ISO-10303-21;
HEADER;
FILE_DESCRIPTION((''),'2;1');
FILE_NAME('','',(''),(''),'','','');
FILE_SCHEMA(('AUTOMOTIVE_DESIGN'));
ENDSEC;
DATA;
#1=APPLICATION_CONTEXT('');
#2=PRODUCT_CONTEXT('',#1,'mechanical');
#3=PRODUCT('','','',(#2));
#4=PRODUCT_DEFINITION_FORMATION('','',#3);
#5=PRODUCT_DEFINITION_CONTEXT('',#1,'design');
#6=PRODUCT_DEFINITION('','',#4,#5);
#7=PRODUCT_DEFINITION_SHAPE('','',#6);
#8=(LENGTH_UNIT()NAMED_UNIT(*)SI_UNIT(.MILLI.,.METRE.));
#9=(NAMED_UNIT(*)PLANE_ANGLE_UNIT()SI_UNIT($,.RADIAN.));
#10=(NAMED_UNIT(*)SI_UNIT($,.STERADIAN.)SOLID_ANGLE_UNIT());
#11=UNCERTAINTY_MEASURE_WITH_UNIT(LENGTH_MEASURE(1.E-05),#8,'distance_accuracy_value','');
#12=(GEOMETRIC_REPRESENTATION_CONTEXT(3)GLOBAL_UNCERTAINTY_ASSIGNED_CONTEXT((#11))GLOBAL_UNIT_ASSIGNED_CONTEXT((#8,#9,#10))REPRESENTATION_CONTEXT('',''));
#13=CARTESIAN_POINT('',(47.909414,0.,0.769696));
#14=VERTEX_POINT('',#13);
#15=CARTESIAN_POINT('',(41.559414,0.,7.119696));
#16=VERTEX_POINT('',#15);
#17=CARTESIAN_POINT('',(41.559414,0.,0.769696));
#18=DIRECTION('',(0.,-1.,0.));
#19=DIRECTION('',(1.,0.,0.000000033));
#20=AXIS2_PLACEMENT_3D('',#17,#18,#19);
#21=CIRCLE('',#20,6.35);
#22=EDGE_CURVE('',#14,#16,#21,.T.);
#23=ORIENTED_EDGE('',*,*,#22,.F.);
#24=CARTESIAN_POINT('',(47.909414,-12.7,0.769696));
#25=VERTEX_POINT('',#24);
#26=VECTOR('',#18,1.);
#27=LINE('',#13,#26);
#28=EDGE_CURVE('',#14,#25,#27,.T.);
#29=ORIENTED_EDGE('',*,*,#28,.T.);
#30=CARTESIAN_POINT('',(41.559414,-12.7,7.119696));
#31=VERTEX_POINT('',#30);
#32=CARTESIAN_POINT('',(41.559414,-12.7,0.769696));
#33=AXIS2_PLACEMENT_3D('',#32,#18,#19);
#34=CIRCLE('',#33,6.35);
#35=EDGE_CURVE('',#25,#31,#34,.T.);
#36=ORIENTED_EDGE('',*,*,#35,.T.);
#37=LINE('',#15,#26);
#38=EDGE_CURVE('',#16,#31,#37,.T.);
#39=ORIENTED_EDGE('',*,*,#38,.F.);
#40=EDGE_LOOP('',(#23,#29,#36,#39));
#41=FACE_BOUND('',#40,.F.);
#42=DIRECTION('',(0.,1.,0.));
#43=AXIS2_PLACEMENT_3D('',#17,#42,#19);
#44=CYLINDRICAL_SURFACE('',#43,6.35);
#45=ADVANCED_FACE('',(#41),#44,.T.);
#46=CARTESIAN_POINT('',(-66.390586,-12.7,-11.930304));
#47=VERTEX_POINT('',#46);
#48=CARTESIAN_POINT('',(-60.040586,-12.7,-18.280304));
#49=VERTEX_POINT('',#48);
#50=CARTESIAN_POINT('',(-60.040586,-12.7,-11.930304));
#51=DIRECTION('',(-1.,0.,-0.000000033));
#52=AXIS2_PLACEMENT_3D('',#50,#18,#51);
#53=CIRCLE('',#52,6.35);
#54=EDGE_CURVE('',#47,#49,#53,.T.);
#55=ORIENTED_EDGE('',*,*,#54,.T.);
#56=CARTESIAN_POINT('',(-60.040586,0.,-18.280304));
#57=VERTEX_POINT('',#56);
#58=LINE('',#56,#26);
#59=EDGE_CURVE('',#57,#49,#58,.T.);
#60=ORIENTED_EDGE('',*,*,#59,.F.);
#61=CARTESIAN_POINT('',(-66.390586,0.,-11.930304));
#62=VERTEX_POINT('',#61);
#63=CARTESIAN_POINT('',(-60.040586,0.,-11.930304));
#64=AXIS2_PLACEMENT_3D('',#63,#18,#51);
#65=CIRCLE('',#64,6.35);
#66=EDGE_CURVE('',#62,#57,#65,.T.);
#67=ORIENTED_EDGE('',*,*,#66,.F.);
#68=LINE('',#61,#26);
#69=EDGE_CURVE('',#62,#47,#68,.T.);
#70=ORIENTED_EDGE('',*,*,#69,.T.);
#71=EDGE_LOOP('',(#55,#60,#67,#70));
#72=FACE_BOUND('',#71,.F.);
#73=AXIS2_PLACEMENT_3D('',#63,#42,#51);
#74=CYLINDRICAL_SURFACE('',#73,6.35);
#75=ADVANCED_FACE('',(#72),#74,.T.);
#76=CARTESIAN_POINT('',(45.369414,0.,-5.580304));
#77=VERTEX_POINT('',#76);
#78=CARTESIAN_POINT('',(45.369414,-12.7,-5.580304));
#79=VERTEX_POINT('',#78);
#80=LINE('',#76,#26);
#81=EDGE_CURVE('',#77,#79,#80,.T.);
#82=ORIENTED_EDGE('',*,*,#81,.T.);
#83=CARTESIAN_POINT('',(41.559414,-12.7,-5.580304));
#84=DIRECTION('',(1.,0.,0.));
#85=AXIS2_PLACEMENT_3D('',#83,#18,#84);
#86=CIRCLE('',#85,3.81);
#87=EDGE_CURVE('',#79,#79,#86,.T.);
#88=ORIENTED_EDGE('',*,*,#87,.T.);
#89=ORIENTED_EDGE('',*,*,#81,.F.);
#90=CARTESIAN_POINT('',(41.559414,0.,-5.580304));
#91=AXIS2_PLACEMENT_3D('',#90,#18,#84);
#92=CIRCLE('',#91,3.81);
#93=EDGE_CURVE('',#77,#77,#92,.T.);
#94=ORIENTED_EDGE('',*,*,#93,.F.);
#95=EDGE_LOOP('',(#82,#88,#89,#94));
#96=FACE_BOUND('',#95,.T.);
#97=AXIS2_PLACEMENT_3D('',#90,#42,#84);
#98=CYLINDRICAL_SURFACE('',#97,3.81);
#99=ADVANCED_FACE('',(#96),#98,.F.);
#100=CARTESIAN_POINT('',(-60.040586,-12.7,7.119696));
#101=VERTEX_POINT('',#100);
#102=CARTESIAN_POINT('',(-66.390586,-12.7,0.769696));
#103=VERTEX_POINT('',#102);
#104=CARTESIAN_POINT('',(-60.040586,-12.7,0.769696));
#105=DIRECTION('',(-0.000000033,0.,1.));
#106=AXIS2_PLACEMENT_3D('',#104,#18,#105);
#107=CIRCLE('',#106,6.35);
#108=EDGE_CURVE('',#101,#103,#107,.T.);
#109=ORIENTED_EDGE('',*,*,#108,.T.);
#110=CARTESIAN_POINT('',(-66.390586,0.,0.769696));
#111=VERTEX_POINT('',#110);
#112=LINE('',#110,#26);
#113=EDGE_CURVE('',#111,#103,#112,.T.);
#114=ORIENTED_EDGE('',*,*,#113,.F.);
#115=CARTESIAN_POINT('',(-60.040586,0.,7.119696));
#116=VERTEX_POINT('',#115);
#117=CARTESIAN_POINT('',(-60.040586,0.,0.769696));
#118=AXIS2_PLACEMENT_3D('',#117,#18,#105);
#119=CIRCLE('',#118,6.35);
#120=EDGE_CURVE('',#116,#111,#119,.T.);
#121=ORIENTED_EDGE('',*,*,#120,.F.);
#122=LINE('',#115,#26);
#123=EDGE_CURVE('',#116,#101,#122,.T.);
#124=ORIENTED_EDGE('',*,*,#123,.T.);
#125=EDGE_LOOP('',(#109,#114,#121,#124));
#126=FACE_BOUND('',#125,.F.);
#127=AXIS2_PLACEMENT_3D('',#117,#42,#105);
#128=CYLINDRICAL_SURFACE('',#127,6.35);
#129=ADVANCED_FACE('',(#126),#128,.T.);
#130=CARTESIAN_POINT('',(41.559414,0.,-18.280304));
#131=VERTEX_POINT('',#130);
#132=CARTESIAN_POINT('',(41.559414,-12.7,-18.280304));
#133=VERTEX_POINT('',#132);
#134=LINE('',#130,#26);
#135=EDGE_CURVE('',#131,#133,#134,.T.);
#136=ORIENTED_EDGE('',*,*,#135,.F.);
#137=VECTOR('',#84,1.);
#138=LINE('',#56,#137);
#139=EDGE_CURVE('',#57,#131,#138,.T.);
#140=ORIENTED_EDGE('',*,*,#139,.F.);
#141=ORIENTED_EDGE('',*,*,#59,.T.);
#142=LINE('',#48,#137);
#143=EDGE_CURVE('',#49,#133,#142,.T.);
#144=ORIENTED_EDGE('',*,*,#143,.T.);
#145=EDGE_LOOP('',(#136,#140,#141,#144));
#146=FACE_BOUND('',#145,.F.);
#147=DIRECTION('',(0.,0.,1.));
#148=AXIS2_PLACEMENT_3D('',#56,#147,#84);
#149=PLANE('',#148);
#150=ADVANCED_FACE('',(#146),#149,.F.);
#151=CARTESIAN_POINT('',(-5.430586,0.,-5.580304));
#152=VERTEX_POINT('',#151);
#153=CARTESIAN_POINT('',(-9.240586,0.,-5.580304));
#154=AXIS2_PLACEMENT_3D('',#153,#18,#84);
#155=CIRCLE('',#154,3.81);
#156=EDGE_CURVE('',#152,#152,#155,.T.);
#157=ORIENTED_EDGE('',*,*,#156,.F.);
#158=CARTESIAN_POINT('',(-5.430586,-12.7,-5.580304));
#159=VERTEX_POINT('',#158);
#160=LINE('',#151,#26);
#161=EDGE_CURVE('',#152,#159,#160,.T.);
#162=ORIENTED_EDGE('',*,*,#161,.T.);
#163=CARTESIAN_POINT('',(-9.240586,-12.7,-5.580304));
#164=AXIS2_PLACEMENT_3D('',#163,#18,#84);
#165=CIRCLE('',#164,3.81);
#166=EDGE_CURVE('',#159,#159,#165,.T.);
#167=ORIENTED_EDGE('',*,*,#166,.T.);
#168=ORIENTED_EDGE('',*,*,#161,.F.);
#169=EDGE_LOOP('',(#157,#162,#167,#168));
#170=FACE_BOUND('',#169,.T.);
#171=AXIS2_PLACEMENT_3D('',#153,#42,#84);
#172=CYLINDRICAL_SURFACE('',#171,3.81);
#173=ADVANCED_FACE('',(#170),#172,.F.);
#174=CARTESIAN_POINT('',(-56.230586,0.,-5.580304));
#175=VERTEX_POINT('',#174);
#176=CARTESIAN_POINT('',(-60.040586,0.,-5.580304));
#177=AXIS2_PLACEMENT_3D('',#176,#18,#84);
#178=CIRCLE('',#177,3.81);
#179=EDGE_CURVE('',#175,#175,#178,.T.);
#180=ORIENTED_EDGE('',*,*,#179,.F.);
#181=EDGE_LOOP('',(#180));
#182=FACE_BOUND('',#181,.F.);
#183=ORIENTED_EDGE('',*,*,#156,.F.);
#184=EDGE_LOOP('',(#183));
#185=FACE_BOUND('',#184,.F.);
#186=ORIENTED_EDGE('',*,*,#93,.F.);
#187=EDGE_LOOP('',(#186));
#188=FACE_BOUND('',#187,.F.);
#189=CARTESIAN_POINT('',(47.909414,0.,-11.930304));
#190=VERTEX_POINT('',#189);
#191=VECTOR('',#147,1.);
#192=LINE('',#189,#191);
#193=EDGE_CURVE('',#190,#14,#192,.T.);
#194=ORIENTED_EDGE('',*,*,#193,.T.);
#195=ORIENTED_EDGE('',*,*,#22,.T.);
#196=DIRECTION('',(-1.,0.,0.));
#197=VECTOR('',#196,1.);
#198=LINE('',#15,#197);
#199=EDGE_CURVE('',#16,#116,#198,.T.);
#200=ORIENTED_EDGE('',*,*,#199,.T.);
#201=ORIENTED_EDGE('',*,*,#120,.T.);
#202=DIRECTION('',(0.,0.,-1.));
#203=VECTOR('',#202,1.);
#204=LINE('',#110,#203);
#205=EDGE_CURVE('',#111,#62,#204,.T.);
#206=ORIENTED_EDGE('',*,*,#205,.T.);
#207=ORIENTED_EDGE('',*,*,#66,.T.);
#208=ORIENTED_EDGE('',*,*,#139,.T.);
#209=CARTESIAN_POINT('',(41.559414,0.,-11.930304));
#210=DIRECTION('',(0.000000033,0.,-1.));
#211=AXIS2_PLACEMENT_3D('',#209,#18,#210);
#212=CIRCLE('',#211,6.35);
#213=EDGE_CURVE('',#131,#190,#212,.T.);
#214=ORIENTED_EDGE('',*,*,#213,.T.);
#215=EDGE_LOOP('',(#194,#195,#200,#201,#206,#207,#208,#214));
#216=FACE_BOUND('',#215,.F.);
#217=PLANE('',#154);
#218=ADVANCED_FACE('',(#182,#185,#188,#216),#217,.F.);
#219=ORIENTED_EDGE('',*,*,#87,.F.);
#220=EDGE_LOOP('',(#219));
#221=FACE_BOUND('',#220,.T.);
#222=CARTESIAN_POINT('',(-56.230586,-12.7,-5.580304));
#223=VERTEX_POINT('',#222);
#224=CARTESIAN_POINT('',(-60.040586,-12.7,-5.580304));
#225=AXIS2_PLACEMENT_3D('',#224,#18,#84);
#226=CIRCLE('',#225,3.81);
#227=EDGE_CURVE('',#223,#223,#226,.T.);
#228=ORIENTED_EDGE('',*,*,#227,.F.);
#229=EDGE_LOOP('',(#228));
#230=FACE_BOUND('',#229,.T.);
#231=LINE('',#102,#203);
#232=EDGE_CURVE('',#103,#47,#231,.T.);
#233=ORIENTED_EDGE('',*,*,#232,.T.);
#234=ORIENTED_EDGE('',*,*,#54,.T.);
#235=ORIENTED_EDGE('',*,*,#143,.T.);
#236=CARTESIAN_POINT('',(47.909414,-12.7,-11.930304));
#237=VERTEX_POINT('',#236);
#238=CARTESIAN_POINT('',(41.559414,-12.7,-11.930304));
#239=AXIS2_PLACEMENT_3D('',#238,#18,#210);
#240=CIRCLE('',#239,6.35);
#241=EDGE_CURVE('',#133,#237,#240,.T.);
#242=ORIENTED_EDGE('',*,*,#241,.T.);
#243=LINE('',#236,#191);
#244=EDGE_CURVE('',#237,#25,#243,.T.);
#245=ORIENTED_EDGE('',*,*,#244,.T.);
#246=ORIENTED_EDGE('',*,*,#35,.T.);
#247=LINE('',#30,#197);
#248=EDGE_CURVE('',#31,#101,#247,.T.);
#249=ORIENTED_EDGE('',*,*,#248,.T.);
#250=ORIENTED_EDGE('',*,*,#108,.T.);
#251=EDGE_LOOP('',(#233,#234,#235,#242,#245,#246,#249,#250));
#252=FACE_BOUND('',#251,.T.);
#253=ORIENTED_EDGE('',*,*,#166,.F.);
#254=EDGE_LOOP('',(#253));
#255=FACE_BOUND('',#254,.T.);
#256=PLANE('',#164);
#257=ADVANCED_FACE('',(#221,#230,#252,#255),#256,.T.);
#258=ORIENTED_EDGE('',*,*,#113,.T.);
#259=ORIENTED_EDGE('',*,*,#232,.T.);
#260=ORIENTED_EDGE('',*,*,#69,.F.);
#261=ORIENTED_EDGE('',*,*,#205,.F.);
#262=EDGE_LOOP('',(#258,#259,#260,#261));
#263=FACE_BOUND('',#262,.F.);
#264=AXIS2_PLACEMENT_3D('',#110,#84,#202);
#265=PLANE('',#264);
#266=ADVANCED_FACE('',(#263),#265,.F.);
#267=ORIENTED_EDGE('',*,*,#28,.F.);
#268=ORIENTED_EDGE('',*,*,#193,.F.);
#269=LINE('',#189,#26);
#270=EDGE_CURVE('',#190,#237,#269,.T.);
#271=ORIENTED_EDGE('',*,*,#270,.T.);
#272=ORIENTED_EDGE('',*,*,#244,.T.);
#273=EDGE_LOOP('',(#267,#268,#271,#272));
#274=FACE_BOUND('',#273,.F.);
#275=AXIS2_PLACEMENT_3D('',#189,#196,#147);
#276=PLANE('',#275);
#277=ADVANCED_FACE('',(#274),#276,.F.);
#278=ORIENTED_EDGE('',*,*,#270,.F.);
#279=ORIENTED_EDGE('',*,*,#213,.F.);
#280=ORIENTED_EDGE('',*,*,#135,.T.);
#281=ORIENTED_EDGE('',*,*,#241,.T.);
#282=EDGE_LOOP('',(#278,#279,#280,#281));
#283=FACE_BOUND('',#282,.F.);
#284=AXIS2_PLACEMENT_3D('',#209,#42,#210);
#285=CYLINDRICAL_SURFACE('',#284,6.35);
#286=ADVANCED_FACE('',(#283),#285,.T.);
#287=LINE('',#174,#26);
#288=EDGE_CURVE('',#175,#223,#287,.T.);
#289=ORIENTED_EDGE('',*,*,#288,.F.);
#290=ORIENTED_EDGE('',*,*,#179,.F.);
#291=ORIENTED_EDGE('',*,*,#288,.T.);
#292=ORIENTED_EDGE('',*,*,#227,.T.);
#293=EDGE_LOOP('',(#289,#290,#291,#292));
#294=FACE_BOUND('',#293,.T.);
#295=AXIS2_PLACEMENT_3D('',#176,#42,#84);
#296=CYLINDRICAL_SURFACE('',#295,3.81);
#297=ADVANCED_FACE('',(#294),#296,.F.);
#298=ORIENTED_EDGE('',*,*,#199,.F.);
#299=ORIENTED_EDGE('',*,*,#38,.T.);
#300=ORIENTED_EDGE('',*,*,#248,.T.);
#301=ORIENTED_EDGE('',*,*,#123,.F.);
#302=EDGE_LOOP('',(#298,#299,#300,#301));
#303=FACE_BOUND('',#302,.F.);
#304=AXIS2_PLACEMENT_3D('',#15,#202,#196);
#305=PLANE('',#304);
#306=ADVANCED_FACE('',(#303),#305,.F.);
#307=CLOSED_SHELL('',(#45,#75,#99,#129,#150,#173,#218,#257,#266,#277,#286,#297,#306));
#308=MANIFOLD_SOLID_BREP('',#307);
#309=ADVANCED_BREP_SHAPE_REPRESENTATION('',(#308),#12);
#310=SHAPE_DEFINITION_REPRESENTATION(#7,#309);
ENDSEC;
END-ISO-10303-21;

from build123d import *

# Parameters (mm, degrees)
F0_R     = 3.81
F1_DEPTH = 12.7


with BuildPart() as f1:
    # F0 (on Front) → F1 (new body)
    with BuildSketch(Plane.XZ):
        with BuildLine():
            Line((41.559414, 7.119696), (-60.040586, 7.119696))
            ThreePointArc((-60.040586, 7.119696), (-64.530714, 5.259824), (-66.390586, 0.769696))
            Line((-66.390586, 0.769696), (-66.390586, -11.930304))
            ThreePointArc((-66.390586, -11.930304), (-64.530714, -16.420432), (-60.040586, -18.280304))
            Line((-60.040586, -18.280304), (41.559414, -18.280304))
            ThreePointArc((41.559414, -18.280304), (46.049542, -16.420432), (47.909414, -11.930304))
            Line((47.909414, -11.930304), (47.909414, 0.769696))
            ThreePointArc((47.909414, 0.769696), (46.049542, 5.259824), (41.559414, 7.119696))
        make_face()
        with Locations((-60.040586, -5.580304)):
            Circle(F0_R, mode=Mode.SUBTRACT)
        with Locations((-9.240586, -5.580304)):
            Circle(F0_R, mode=Mode.SUBTRACT)
        with Locations((41.559414, -5.580304)):
            Circle(F0_R, mode=Mode.SUBTRACT)
    extrude(amount=F1_DEPTH)


solid = f1.part
